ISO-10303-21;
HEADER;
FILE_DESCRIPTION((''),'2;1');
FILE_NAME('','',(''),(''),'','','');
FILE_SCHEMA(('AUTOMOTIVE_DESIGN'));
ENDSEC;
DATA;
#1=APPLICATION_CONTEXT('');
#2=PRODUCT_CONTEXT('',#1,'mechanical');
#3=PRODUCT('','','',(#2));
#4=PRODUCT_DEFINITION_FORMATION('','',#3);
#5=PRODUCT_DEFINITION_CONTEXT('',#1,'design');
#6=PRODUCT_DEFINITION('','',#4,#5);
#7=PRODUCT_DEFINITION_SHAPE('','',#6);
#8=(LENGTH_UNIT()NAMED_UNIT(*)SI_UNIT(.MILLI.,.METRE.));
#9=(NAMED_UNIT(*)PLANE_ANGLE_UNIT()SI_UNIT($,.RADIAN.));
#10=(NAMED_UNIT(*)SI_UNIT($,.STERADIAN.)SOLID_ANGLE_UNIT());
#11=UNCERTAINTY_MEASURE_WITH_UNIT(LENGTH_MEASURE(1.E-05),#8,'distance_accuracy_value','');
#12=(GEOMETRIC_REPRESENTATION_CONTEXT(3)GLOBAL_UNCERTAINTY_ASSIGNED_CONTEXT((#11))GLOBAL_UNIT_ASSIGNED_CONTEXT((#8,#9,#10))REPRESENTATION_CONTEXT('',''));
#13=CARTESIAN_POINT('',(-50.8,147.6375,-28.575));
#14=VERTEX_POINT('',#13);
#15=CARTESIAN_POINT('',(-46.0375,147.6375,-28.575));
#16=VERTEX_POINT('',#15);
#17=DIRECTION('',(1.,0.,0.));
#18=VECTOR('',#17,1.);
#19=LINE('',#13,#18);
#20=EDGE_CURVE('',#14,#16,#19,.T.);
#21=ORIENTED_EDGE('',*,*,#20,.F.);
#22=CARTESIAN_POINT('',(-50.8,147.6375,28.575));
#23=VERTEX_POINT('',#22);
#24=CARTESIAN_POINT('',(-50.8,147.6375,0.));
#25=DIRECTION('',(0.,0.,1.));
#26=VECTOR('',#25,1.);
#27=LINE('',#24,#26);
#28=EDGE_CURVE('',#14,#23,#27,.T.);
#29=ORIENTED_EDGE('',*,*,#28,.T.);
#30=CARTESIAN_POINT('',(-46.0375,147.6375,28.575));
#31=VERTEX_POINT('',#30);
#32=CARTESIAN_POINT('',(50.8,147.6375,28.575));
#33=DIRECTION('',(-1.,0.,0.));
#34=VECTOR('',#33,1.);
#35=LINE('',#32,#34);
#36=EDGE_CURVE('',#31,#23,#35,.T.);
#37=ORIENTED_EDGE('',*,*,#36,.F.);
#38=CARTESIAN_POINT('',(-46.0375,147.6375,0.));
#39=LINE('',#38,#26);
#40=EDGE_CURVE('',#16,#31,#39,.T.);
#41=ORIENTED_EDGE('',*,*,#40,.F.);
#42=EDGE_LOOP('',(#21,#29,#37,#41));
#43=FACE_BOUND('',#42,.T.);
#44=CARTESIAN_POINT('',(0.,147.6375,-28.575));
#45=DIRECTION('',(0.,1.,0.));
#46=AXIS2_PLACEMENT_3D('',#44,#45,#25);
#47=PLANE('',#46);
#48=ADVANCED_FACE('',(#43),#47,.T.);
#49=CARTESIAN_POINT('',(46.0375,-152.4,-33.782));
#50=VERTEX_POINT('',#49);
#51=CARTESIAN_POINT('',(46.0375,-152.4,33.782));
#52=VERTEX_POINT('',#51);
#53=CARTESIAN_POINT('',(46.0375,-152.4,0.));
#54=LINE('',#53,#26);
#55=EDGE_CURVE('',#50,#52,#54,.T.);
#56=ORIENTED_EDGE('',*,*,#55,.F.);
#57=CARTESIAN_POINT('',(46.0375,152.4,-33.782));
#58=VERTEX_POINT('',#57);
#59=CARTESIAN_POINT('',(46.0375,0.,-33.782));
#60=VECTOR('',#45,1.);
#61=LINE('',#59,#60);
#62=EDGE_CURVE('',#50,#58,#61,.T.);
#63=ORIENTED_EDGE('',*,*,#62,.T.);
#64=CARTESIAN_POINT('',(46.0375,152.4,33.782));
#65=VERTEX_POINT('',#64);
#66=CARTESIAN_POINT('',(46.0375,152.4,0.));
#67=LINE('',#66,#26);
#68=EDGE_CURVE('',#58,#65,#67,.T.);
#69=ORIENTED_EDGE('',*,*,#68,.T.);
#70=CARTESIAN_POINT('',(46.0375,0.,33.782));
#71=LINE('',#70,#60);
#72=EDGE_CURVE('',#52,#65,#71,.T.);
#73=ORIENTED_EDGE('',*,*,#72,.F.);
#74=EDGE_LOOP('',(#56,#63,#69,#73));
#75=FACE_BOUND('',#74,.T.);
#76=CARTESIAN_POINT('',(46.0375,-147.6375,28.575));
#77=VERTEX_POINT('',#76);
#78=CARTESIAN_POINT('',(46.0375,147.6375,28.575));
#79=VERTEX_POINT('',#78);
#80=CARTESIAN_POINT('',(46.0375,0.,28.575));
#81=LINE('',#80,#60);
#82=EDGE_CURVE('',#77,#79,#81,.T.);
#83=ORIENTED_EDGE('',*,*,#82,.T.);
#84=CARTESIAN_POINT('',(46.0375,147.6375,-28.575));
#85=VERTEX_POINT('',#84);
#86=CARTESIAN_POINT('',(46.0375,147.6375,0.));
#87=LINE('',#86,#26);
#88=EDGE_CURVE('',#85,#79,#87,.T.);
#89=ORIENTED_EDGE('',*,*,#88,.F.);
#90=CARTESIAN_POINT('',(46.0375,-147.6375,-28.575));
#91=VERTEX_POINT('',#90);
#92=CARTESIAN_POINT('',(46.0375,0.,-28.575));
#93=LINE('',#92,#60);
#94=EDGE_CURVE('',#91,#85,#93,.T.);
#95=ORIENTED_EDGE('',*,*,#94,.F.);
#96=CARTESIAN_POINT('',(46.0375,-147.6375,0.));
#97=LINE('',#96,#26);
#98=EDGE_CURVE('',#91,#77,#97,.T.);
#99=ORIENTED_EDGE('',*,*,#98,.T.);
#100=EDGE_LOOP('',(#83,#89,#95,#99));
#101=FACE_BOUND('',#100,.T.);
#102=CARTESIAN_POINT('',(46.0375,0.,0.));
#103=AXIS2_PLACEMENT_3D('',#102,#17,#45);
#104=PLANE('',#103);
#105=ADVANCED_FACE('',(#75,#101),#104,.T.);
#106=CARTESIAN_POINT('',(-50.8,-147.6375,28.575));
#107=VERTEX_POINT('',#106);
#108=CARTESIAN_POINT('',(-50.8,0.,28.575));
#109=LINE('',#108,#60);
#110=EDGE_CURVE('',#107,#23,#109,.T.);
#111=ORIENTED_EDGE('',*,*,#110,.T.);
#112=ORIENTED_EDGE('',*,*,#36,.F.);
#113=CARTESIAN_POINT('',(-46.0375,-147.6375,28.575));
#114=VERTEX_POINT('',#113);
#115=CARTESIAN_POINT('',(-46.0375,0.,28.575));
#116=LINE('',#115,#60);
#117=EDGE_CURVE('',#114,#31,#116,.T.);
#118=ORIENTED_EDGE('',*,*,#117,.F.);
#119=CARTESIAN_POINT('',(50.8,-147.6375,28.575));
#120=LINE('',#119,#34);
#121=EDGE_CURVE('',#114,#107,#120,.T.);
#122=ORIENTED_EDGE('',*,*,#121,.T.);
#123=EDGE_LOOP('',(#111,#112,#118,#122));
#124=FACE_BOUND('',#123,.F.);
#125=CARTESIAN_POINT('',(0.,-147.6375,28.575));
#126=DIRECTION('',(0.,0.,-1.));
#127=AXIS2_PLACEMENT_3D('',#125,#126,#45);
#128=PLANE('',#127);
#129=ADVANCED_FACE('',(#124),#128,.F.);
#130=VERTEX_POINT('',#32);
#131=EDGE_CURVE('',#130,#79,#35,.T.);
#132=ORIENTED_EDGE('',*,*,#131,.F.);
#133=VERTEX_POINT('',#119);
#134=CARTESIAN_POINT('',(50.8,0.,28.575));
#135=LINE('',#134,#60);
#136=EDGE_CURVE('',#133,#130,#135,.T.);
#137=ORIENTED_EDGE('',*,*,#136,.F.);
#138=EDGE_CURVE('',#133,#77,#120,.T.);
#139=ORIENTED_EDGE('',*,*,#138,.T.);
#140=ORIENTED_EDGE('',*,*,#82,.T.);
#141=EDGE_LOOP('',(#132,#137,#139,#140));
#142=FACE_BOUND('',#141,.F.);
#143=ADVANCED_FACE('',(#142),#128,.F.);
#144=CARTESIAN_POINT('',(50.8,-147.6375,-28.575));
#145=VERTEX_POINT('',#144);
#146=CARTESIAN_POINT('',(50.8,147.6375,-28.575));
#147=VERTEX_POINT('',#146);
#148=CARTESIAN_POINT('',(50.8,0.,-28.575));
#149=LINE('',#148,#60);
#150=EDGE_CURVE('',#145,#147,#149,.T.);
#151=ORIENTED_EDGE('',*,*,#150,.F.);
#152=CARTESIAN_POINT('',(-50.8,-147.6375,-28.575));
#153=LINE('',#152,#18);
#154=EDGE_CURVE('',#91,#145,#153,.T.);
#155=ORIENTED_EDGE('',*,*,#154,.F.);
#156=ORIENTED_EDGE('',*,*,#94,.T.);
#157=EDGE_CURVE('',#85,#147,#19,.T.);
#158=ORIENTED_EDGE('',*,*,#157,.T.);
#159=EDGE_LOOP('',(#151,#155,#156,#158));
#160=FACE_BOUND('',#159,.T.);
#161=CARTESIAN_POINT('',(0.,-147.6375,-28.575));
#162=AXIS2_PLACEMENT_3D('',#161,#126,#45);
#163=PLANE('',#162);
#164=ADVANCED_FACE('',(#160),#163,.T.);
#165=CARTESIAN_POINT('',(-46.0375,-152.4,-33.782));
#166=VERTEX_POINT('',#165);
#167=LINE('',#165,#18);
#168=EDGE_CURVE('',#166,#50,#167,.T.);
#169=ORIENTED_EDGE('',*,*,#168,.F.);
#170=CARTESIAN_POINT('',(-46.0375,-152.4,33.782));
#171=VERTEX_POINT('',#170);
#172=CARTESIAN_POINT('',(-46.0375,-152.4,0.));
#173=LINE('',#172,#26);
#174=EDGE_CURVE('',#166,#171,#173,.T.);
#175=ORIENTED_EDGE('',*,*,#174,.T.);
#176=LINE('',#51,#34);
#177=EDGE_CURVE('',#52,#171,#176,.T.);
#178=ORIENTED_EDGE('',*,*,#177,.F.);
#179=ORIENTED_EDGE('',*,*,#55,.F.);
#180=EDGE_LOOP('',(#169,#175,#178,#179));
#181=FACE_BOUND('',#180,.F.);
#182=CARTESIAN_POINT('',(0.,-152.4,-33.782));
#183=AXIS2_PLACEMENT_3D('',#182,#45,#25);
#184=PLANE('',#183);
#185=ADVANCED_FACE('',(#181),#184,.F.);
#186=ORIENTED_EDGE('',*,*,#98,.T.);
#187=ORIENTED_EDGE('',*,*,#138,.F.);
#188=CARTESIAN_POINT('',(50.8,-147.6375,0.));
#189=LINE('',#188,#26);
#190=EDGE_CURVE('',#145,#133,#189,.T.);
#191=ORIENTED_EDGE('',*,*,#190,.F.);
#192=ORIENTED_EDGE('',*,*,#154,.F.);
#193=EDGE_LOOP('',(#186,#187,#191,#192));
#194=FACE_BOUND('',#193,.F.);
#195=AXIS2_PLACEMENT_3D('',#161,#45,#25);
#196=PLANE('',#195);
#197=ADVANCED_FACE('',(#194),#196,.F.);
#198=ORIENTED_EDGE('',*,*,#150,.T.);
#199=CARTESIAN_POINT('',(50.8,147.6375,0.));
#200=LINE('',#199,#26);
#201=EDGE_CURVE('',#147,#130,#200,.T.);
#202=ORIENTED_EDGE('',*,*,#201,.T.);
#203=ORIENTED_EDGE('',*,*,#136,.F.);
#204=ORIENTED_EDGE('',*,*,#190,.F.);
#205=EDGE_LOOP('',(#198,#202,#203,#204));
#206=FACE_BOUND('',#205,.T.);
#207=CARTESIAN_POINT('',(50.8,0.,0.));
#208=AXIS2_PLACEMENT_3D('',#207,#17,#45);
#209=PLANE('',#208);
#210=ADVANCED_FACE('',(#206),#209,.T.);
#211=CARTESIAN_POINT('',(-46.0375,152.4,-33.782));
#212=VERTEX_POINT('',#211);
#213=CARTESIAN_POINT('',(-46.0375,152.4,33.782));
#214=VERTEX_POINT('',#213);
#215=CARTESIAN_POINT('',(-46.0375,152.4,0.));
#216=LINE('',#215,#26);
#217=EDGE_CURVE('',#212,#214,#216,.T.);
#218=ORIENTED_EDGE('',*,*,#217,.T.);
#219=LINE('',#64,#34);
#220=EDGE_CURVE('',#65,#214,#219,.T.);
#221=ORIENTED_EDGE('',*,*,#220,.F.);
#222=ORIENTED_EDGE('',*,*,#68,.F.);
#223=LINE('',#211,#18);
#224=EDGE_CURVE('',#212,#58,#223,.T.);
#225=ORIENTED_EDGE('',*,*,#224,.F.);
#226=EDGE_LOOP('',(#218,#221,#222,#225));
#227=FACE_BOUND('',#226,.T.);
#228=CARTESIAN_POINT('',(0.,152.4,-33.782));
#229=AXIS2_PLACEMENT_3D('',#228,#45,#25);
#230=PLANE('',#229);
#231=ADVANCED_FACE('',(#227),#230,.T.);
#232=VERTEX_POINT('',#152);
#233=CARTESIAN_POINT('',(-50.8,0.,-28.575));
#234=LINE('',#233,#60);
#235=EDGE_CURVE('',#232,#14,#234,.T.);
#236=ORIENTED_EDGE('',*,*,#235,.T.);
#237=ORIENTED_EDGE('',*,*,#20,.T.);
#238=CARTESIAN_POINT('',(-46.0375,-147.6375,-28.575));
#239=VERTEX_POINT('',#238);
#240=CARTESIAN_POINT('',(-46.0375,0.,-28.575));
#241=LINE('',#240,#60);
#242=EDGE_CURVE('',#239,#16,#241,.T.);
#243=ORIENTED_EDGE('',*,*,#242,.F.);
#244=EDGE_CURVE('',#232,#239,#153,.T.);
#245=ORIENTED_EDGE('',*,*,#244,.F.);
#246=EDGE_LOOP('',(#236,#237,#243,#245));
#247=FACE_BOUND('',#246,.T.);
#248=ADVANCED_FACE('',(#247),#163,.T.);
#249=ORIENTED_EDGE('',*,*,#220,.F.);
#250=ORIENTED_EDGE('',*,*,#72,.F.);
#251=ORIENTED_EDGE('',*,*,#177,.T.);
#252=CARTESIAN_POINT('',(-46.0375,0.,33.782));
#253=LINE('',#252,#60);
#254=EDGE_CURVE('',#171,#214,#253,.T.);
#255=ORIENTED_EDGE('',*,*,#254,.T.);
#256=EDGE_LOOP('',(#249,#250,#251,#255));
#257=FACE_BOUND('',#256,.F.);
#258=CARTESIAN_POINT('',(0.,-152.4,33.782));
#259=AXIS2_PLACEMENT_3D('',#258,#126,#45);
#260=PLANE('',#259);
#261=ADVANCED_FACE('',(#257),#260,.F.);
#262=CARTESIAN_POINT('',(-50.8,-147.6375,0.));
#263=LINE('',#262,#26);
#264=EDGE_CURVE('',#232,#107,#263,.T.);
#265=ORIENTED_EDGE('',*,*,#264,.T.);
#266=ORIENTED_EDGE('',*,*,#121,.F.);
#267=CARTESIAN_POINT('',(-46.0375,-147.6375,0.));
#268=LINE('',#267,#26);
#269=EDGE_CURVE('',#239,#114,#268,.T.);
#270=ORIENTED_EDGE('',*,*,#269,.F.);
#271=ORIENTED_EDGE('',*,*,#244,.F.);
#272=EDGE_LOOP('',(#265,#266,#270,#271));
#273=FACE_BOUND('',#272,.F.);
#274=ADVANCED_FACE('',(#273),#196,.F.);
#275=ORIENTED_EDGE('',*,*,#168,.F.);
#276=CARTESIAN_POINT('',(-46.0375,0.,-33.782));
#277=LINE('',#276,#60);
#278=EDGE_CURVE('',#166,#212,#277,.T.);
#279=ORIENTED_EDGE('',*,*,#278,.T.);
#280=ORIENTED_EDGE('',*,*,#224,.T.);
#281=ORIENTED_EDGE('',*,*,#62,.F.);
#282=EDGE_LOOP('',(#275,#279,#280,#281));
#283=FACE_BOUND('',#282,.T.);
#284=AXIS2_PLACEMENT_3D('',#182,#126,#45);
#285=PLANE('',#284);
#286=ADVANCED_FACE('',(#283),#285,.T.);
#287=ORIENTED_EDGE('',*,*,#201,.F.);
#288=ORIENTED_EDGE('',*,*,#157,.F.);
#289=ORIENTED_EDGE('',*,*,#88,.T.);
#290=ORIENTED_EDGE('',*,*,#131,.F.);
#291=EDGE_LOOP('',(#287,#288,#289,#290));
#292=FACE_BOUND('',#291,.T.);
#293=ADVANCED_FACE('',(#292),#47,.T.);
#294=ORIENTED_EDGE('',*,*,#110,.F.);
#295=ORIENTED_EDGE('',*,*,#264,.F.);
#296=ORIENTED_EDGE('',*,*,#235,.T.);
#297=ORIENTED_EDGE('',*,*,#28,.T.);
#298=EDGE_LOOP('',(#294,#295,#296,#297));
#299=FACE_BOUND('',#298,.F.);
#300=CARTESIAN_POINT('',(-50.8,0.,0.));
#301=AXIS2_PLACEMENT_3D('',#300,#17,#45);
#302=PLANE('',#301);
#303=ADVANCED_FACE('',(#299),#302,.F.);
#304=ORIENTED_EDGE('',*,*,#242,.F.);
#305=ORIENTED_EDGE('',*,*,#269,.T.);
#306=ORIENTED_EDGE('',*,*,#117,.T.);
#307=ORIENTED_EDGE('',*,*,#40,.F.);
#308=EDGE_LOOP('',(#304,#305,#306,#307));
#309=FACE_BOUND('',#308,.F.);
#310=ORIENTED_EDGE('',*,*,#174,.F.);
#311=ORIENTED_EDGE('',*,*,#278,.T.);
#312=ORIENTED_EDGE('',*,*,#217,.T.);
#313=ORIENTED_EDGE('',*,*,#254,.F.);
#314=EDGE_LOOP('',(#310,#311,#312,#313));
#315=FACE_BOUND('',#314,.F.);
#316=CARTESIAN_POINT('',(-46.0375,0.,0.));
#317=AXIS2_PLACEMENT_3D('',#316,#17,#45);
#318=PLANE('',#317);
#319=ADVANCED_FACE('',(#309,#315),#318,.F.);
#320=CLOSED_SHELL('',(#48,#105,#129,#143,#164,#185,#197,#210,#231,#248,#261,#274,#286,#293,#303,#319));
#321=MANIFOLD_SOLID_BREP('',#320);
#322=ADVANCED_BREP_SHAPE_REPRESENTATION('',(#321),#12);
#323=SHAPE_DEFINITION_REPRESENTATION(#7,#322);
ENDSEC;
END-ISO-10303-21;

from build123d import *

# Parameters (mm, degrees)
F0_W     = 304.8
F0_H     = 67.564
F0_W_2   = 295.275
F0_H_2   = 57.15
F1_DEPTH = 46.0375
F2_DEPTH = 50.8


with BuildPart() as f1:
    # F0 (on Right) → F1 (new body, symmetric)
    with BuildSketch(Plane.YZ):
        Rectangle(F0_W, F0_H)
        Rectangle(F0_W_2, F0_H_2, mode=Mode.SUBTRACT)
    extrude(amount=F1_DEPTH, both=True)

    # F0 (on Right) → F2 (join, symmetric)
    with BuildSketch(Plane.YZ):
        Rectangle(F0_W_2, F0_H_2)
    extrude(amount=F2_DEPTH, both=True)


solid = f1.part
